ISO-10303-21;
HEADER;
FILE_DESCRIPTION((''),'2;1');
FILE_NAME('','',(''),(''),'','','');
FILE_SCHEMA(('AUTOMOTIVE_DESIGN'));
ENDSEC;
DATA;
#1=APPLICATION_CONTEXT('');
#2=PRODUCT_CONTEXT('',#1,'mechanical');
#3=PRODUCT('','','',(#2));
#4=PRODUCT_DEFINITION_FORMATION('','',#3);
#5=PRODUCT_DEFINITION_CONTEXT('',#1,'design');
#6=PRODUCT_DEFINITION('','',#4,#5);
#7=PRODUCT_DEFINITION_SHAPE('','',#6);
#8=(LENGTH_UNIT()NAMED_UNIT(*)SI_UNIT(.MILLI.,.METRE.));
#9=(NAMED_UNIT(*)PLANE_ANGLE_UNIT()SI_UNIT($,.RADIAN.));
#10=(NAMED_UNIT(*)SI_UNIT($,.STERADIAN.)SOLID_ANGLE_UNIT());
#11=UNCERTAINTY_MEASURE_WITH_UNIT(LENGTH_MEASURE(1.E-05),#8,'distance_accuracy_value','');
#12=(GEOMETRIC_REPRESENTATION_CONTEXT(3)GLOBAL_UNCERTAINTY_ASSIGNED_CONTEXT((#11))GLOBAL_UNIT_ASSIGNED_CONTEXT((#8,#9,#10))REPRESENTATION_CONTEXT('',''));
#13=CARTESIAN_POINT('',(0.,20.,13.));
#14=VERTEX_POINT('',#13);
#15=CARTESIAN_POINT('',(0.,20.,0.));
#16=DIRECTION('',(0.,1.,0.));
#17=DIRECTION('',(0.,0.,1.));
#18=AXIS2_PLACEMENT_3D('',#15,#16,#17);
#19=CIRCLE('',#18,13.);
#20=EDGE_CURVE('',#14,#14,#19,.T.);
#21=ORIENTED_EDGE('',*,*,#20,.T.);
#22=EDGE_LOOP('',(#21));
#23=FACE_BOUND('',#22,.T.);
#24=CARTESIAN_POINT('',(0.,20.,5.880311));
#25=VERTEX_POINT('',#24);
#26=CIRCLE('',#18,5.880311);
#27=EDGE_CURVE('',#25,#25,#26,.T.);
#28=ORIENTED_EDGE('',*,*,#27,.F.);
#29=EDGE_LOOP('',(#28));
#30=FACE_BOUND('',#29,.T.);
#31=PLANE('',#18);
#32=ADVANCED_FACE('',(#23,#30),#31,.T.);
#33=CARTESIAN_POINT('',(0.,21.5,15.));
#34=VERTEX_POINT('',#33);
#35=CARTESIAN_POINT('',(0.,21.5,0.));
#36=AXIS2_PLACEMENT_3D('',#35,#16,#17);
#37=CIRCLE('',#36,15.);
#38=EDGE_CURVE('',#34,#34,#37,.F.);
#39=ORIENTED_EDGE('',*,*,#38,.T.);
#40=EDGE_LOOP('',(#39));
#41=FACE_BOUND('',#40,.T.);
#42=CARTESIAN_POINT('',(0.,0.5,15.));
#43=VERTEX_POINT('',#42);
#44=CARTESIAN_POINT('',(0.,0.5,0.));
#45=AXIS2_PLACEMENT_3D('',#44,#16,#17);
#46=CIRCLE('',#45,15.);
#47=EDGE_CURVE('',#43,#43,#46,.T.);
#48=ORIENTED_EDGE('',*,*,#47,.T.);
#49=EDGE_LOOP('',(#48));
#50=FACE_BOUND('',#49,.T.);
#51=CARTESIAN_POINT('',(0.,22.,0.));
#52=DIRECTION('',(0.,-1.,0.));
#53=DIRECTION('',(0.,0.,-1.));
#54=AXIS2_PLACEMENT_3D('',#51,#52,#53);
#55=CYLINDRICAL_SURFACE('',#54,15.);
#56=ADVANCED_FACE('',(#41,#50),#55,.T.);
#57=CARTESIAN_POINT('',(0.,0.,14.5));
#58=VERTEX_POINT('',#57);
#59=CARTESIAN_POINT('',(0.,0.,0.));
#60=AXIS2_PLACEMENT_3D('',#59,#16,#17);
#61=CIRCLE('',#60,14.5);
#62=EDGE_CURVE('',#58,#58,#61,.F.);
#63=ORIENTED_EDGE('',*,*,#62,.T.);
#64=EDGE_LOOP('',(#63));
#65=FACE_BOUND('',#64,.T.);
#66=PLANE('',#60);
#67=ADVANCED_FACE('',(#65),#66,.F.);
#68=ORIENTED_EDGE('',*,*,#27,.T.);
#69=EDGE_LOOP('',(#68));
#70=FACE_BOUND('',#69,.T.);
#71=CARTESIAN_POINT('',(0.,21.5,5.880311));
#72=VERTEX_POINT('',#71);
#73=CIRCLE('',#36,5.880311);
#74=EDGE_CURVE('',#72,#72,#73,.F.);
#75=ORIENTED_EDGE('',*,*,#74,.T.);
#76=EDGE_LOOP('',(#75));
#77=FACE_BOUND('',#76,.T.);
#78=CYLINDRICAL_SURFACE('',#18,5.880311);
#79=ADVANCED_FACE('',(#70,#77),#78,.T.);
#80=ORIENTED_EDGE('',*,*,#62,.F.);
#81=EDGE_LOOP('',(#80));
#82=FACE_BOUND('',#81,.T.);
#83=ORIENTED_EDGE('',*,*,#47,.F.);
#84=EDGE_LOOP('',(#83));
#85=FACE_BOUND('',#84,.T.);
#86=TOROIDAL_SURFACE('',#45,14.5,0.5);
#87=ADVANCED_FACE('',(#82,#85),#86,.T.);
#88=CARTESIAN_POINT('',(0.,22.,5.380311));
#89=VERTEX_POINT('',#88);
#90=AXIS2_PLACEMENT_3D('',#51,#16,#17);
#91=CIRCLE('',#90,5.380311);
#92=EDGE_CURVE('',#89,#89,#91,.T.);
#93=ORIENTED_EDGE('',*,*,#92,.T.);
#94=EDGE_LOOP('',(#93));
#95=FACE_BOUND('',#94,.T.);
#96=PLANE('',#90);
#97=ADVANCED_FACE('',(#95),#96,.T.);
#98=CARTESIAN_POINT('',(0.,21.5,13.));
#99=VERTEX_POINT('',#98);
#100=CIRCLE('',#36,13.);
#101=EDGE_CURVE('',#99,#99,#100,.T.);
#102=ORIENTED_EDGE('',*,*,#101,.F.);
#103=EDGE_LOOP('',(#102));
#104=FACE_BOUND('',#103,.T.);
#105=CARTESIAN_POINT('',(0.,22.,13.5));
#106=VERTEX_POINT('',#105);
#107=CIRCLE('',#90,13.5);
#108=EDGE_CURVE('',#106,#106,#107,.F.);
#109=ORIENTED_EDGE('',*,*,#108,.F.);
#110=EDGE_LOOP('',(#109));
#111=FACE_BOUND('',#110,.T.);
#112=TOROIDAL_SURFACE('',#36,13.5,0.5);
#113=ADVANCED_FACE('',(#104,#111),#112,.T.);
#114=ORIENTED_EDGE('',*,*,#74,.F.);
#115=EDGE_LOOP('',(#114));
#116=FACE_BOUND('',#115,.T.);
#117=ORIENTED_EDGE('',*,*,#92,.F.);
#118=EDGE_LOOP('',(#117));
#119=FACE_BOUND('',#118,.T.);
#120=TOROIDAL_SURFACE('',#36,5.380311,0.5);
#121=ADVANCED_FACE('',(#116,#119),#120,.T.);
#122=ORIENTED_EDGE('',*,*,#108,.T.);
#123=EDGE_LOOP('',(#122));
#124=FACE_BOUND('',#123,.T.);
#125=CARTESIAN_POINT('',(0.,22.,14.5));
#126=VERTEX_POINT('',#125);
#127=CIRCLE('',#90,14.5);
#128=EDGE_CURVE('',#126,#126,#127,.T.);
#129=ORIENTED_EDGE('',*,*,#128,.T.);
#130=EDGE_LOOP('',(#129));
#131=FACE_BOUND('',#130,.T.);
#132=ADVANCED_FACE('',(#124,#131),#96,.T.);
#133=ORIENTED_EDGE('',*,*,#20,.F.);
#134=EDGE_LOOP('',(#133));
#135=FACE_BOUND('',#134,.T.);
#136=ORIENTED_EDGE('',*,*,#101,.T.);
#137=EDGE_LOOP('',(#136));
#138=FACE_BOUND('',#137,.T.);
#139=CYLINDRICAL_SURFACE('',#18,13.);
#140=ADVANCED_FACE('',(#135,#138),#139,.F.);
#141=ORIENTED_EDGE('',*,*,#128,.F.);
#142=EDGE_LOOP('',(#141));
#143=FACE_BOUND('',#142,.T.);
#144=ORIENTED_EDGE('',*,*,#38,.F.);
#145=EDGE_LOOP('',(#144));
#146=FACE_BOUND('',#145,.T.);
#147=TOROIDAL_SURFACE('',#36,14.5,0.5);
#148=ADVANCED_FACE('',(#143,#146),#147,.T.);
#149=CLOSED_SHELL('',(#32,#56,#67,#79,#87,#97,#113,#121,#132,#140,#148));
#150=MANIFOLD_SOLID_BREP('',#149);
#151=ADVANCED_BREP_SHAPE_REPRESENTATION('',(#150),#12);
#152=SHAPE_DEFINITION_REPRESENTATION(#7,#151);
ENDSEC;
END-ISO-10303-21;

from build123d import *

# Parameters (mm, degrees)
SKETCH1_R           = 15
BOSS_EXTRUDE1_DEPTH = 22
SKETCH2_R           = 13
SKETCH2_R_2         = 5.88031104
CUT_EXTRUDE1_DEPTH  = 2
FILLET1_R           = 0.5


with BuildPart() as part:
    # Sketch1 → Boss-Extrude1 (new body)
    with BuildSketch(Plane(origin=(0, 0, 0), x_dir=(1, 0, 0), z_dir=(0, 1, 0))):
        with Locations(Location((0, 0, 0), (0, 0, 270))):
            Circle(SKETCH1_R)
    extrude(amount=BOSS_EXTRUDE1_DEPTH)

    # Sketch2 → Cut-Extrude1 (cut)
    with BuildSketch(Plane(origin=(0, 22, 0), x_dir=(1, 0, 0), z_dir=(0, 1, 0))):
        with Locations(Location((0, 0, 0), (0, 0, 270))):
            Circle(SKETCH2_R)
        with Locations(Location((0, 0, 0), (0, 0, 270))):
            Circle(SKETCH2_R_2, mode=Mode.SUBTRACT)
    extrude(amount=-CUT_EXTRUDE1_DEPTH, mode=Mode.SUBTRACT)

    # Fillet1
    fillet1_edges = [part.edges().sort_by_distance(p)[0] for p in [
        (0, 0, -15),
        (0, 22, -15),
        (0, 22, -13),
        (0, 22, -5.88031104),
    ]]
    fillet(fillet1_edges, radius=FILLET1_R)


solid = part.part
